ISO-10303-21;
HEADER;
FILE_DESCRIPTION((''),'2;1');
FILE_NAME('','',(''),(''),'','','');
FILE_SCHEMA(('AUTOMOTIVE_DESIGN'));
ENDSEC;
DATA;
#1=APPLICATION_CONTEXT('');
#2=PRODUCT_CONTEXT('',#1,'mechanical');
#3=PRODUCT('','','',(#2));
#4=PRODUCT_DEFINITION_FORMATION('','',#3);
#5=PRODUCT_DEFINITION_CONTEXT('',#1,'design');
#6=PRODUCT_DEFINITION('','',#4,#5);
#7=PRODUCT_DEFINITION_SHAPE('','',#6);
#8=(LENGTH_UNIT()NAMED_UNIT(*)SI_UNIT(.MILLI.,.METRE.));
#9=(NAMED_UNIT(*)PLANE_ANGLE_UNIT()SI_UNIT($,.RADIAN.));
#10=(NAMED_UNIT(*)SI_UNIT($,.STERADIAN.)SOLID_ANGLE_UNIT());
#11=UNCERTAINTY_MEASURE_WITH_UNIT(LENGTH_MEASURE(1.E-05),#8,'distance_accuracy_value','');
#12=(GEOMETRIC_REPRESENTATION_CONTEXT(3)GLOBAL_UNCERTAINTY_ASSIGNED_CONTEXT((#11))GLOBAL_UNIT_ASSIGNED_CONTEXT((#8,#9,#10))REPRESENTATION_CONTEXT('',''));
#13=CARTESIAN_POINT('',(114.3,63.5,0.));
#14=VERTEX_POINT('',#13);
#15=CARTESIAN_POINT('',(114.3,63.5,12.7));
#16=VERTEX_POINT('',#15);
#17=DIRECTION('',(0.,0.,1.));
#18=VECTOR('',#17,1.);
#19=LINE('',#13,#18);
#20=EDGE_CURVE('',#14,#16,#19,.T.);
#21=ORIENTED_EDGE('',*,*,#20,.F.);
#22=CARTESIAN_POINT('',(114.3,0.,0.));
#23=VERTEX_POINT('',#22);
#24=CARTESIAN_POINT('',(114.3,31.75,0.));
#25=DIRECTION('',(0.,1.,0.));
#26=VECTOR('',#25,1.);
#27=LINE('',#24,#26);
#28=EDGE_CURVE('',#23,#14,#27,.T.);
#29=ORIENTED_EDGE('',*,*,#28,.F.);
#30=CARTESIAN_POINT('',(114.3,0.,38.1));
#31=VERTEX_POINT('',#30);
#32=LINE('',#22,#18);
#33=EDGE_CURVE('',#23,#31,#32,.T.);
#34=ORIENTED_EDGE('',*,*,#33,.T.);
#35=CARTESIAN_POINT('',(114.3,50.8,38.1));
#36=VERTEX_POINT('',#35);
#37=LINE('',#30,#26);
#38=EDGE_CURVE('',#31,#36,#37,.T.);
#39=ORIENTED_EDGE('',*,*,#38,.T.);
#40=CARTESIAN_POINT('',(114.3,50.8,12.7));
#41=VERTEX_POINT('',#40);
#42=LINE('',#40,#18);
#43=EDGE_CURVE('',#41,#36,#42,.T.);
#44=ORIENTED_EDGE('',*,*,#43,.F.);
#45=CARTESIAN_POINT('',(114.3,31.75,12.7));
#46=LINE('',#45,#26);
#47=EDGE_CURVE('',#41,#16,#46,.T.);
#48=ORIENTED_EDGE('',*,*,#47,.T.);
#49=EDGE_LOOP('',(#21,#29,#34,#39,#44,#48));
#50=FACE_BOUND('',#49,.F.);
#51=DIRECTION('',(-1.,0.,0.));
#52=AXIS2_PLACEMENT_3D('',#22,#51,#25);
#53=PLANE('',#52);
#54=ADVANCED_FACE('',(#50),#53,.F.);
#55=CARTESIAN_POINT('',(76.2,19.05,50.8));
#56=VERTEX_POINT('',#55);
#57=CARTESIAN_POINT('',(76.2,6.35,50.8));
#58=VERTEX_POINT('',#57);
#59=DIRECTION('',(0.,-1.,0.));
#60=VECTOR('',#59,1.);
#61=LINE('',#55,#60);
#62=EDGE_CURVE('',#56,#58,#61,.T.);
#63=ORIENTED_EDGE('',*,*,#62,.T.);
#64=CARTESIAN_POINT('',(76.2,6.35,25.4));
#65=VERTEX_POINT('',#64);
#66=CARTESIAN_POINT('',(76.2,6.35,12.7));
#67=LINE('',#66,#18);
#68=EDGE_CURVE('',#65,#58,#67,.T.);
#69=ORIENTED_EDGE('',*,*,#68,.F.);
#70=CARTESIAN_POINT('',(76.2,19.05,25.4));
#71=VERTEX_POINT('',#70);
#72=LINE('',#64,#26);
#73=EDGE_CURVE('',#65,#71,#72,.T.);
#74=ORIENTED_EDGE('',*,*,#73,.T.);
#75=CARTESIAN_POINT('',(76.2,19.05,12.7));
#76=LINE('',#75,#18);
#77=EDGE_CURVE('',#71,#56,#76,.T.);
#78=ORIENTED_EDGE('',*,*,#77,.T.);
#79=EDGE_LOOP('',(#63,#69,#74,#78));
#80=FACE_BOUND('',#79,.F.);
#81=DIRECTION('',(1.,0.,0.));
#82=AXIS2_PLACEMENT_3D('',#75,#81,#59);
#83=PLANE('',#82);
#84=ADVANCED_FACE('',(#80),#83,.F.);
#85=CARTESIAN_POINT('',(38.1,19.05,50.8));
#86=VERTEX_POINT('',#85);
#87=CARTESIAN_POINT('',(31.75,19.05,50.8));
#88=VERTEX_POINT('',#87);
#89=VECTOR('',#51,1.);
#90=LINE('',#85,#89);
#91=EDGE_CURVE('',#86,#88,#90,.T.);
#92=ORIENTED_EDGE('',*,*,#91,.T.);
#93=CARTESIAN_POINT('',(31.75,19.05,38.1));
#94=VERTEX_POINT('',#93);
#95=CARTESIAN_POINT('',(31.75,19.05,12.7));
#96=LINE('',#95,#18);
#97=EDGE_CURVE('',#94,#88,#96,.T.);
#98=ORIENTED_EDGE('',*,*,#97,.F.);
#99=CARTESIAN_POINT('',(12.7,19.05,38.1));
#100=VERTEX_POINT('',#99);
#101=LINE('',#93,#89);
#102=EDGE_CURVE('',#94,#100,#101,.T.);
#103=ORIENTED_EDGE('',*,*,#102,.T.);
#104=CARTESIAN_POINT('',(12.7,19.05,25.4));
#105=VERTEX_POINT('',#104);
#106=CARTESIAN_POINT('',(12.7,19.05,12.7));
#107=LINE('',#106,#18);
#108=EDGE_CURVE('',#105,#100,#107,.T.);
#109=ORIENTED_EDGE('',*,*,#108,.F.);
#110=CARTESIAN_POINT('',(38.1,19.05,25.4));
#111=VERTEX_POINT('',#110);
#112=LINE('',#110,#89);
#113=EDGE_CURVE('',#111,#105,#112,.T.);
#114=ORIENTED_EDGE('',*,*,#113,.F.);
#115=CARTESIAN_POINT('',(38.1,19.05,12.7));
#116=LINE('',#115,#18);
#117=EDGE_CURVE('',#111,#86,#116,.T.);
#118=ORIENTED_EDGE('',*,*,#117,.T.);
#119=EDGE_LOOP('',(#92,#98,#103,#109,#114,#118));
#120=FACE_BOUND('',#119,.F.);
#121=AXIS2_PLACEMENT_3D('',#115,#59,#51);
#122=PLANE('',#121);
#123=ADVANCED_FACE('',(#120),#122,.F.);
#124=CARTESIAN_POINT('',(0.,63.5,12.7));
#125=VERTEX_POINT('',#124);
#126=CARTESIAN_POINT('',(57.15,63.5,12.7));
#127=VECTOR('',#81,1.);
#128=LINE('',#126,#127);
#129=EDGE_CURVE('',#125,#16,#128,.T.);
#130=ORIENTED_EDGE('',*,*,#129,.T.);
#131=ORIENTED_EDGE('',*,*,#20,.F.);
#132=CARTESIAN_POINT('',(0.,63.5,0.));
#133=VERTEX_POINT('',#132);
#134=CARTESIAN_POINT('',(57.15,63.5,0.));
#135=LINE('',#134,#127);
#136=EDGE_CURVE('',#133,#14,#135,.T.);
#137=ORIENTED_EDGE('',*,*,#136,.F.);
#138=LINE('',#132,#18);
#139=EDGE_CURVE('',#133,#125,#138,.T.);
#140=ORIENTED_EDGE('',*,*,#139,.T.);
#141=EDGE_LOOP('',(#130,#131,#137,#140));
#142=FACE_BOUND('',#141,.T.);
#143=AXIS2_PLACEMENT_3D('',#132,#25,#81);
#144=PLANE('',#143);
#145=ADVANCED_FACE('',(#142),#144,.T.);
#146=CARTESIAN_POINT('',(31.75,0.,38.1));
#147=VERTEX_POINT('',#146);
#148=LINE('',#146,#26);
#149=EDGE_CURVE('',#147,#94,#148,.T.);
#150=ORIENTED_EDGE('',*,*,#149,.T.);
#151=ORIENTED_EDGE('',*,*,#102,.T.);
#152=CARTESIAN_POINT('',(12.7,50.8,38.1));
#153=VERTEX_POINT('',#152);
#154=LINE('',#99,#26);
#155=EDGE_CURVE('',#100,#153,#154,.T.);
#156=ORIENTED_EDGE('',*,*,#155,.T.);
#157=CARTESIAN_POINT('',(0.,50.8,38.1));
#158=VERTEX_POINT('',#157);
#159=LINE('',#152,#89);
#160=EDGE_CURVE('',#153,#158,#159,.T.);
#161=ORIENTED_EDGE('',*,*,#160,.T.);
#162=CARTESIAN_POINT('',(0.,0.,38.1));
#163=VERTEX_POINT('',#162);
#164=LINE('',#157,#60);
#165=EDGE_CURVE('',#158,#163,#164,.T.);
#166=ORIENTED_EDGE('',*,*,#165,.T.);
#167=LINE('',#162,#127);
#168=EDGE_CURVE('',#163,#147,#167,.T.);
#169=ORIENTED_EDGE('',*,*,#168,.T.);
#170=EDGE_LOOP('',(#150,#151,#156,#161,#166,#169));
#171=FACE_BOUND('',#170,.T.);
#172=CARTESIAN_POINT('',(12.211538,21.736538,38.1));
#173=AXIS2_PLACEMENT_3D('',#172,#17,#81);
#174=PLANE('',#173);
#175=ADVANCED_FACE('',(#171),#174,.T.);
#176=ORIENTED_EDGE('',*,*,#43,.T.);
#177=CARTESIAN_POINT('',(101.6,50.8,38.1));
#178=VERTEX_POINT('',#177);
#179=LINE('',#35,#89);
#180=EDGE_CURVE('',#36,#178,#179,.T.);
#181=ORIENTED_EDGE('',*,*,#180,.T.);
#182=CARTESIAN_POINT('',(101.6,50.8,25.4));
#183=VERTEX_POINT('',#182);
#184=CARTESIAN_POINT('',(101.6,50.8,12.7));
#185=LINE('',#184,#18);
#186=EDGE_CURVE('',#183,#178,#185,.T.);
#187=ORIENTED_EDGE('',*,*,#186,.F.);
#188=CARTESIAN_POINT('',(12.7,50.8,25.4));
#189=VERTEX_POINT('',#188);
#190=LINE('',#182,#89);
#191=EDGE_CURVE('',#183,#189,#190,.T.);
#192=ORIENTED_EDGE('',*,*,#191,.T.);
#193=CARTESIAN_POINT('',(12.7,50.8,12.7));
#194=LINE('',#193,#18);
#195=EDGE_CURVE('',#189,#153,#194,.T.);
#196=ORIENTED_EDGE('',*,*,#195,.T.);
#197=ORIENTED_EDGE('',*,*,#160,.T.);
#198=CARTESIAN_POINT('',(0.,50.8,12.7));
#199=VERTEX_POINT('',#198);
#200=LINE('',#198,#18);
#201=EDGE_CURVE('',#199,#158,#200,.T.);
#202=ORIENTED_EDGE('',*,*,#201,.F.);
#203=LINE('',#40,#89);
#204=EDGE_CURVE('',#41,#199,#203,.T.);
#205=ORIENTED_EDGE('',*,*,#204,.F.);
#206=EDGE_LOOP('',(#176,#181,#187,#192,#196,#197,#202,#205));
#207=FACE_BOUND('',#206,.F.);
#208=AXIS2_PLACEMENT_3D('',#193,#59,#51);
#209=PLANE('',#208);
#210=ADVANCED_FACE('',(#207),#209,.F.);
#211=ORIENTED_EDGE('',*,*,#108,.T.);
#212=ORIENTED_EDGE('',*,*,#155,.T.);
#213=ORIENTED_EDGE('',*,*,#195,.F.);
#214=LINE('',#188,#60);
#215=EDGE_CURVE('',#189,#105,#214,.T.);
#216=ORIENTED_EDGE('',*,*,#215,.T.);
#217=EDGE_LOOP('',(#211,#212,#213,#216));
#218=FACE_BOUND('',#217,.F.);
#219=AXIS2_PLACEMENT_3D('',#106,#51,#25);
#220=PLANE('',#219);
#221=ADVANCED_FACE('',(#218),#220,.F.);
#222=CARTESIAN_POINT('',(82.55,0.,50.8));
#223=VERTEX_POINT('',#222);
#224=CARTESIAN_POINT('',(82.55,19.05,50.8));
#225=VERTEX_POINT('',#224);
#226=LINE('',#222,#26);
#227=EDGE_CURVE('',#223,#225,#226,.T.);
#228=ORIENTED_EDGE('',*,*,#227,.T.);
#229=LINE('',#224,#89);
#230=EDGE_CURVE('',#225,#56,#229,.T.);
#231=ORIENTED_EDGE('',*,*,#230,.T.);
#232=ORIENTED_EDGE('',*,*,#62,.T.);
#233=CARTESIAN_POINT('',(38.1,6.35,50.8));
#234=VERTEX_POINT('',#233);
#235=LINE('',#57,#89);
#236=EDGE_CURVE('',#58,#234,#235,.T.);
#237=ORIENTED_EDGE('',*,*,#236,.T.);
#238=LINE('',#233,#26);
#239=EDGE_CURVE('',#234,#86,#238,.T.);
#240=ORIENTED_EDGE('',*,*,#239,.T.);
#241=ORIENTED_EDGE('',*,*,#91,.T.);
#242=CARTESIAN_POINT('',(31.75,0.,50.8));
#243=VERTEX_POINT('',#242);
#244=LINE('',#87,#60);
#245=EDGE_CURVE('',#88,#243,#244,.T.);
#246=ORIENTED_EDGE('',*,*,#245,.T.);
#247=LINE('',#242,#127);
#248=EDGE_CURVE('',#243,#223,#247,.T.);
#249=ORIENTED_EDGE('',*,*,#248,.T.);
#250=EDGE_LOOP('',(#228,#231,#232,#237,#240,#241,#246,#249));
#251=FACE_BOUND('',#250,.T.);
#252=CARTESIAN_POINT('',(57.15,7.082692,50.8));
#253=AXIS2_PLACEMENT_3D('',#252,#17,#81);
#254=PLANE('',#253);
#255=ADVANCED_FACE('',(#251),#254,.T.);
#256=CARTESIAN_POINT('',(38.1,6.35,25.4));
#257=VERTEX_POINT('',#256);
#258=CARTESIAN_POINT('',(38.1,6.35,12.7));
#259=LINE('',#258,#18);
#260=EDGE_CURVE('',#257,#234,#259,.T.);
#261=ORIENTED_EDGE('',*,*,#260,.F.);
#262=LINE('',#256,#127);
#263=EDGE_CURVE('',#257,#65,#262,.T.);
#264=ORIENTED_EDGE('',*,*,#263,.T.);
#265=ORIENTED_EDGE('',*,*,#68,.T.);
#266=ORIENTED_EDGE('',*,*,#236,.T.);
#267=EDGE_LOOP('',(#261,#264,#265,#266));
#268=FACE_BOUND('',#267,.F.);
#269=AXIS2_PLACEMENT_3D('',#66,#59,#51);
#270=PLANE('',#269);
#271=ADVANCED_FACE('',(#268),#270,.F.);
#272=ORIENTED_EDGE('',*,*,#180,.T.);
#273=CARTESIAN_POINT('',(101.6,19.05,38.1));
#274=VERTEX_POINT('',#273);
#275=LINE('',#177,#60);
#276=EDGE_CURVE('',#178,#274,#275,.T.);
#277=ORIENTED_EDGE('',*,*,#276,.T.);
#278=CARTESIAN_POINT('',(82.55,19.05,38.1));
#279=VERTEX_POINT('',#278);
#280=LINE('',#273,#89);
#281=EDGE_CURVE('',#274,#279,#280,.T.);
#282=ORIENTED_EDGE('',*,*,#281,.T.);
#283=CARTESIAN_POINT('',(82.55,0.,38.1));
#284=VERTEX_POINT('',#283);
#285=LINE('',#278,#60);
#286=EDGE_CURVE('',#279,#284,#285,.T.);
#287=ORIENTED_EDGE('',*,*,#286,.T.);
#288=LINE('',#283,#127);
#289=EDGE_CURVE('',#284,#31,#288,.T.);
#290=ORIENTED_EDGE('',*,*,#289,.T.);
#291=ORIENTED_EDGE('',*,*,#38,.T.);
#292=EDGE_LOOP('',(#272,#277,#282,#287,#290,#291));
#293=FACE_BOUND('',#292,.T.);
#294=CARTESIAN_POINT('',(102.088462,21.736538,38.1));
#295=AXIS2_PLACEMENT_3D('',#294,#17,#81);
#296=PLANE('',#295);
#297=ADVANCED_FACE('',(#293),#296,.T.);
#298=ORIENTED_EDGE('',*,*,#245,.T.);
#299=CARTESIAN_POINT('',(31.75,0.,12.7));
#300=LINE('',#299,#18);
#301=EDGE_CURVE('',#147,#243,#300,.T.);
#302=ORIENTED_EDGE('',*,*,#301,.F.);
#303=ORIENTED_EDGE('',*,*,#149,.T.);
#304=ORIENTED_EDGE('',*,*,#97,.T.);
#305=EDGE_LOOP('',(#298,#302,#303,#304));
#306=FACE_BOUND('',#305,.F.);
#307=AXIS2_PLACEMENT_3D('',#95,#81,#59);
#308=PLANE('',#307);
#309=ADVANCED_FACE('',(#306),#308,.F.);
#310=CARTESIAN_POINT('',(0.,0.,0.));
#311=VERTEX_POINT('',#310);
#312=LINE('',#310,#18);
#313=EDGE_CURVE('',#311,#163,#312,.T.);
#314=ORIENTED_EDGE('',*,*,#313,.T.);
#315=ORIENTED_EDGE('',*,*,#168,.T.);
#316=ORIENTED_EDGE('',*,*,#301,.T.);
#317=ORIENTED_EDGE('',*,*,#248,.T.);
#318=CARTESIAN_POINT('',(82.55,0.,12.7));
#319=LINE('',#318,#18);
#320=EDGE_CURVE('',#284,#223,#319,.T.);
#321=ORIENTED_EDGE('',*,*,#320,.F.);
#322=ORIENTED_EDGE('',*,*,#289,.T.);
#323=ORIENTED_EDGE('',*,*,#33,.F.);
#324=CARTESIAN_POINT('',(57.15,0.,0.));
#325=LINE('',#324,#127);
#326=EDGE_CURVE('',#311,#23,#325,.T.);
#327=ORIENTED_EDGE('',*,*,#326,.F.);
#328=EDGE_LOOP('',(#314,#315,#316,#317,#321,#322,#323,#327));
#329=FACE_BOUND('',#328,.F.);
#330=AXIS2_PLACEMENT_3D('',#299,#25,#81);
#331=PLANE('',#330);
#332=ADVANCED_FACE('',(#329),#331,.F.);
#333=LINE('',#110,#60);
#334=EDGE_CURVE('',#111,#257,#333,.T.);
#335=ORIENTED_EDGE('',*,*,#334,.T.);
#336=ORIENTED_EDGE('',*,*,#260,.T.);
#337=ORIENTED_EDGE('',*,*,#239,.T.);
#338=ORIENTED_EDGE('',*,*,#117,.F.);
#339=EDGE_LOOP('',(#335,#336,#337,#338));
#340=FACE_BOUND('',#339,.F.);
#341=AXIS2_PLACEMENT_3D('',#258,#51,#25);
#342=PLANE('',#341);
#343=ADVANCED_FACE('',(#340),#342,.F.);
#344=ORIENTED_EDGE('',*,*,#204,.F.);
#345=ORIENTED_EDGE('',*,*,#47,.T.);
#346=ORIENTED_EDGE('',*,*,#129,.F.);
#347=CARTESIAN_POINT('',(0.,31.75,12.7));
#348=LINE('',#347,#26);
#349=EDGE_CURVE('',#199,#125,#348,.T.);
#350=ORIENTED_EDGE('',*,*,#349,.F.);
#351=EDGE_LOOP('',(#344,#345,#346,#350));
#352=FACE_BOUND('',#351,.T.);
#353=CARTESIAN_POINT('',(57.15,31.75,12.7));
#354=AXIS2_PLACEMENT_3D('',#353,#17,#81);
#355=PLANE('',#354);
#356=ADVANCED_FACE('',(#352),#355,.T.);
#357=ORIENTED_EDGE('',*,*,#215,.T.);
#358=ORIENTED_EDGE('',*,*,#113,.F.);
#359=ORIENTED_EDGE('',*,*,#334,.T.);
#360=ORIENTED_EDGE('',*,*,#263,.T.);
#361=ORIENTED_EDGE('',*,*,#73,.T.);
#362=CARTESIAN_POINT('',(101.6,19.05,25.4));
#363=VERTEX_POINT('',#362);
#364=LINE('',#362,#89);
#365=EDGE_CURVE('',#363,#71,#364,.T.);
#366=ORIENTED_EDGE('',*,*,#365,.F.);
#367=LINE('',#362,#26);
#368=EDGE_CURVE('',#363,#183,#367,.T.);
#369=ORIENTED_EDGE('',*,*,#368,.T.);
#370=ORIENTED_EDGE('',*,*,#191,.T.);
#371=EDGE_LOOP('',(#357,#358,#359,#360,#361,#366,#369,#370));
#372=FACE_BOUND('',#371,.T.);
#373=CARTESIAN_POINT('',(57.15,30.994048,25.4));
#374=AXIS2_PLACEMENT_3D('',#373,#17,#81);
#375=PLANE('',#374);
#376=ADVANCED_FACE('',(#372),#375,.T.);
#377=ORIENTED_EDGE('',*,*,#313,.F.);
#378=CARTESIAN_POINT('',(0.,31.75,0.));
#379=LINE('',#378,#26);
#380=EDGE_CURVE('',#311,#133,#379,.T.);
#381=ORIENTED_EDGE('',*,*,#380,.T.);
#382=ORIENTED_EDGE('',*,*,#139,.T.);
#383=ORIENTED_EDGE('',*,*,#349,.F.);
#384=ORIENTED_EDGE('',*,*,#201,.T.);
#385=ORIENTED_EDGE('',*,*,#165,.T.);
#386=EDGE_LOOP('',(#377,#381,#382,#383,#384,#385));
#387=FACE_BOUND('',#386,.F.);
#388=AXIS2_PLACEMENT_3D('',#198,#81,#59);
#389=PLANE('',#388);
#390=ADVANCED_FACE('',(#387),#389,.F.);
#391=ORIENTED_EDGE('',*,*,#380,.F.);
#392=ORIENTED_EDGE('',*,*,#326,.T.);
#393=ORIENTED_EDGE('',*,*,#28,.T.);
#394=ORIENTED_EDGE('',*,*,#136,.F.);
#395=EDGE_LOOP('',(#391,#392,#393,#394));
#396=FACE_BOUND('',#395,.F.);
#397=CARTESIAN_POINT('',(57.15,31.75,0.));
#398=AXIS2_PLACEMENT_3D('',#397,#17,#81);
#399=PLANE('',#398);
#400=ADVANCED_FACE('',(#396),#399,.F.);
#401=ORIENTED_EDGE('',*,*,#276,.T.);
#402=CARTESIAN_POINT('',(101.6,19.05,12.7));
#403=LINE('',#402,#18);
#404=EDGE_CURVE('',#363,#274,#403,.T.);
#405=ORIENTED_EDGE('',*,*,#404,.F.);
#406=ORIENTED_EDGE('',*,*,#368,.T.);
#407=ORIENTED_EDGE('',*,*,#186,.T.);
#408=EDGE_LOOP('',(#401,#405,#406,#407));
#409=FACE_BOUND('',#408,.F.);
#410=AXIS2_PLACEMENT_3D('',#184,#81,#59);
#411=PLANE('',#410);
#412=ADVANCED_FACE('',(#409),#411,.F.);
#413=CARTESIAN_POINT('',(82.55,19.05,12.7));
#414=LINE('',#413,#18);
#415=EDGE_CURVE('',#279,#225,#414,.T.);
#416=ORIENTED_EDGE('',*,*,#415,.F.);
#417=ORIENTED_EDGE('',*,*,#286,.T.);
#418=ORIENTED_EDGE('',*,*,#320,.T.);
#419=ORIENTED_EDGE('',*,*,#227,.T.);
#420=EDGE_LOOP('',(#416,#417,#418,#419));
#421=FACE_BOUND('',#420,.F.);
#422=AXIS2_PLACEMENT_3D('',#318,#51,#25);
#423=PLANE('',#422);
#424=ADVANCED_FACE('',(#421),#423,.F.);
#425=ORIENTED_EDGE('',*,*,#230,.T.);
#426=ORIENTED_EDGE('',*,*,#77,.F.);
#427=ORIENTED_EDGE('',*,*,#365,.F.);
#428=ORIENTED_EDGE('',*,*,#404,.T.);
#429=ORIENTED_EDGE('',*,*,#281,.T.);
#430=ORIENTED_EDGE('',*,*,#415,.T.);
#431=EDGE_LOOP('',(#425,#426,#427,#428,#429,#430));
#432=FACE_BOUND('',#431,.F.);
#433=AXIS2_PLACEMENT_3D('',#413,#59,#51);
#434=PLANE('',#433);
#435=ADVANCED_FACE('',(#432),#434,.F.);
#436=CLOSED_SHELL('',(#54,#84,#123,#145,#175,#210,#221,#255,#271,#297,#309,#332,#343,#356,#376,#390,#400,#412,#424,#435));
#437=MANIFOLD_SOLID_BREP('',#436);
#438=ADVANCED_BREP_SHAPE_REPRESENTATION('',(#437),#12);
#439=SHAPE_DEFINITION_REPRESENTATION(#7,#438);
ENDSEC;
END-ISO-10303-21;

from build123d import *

# Parameters (mm, degrees)
F0_W     = 114.3
F0_H     = 63.5
F1_DEPTH = 12.7
F4_DEPTH = 12.7
F5_DEPTH = 25.4
F6_DEPTH = 38.1


with BuildPart() as f1:
    # F0 (on Top) → F1 (new body)
    with BuildSketch(Plane.XY):
        with Locations((57.15, 31.75)):
            Rectangle(F0_W, F0_H)
    extrude(amount=F1_DEPTH)

    # F3 (on offset) → F4 (join)
    with BuildSketch(Plane.XY.offset(12.7)):
        Polygon((12.7, 19.05), (31.75, 19.05), (38.1, 19.05), (38.1, 6.35), (76.2, 6.35), (76.2, 19.05), (82.55, 19.05), (101.6, 19.05), (101.6, 50.8), (12.7, 50.8), align=None)
    extrude(amount=F4_DEPTH)

    # F3 (on offset) → F5 (join)
    with BuildSketch(Plane.XY.offset(12.7)):
        Polygon((0, 50.8), (0, 0), (31.75, 0), (31.75, 19.05), (12.7, 19.05), (12.7, 50.8), align=None)
        Polygon((82.55, 19.05), (82.55, 0), (114.3, 0), (114.3, 50.8), (101.6, 50.8), (101.6, 19.05), align=None)
    extrude(amount=F5_DEPTH)

    # F3 (on offset) → F6 (join)
    with BuildSketch(Plane.XY.offset(12.7)):
        Polygon((31.75, 19.05), (31.75, 0), (82.55, 0), (82.55, 19.05), (76.2, 19.05), (76.2, 6.35), (38.1, 6.35), (38.1, 19.05), align=None)
    extrude(amount=F6_DEPTH)


solid = f1.part
